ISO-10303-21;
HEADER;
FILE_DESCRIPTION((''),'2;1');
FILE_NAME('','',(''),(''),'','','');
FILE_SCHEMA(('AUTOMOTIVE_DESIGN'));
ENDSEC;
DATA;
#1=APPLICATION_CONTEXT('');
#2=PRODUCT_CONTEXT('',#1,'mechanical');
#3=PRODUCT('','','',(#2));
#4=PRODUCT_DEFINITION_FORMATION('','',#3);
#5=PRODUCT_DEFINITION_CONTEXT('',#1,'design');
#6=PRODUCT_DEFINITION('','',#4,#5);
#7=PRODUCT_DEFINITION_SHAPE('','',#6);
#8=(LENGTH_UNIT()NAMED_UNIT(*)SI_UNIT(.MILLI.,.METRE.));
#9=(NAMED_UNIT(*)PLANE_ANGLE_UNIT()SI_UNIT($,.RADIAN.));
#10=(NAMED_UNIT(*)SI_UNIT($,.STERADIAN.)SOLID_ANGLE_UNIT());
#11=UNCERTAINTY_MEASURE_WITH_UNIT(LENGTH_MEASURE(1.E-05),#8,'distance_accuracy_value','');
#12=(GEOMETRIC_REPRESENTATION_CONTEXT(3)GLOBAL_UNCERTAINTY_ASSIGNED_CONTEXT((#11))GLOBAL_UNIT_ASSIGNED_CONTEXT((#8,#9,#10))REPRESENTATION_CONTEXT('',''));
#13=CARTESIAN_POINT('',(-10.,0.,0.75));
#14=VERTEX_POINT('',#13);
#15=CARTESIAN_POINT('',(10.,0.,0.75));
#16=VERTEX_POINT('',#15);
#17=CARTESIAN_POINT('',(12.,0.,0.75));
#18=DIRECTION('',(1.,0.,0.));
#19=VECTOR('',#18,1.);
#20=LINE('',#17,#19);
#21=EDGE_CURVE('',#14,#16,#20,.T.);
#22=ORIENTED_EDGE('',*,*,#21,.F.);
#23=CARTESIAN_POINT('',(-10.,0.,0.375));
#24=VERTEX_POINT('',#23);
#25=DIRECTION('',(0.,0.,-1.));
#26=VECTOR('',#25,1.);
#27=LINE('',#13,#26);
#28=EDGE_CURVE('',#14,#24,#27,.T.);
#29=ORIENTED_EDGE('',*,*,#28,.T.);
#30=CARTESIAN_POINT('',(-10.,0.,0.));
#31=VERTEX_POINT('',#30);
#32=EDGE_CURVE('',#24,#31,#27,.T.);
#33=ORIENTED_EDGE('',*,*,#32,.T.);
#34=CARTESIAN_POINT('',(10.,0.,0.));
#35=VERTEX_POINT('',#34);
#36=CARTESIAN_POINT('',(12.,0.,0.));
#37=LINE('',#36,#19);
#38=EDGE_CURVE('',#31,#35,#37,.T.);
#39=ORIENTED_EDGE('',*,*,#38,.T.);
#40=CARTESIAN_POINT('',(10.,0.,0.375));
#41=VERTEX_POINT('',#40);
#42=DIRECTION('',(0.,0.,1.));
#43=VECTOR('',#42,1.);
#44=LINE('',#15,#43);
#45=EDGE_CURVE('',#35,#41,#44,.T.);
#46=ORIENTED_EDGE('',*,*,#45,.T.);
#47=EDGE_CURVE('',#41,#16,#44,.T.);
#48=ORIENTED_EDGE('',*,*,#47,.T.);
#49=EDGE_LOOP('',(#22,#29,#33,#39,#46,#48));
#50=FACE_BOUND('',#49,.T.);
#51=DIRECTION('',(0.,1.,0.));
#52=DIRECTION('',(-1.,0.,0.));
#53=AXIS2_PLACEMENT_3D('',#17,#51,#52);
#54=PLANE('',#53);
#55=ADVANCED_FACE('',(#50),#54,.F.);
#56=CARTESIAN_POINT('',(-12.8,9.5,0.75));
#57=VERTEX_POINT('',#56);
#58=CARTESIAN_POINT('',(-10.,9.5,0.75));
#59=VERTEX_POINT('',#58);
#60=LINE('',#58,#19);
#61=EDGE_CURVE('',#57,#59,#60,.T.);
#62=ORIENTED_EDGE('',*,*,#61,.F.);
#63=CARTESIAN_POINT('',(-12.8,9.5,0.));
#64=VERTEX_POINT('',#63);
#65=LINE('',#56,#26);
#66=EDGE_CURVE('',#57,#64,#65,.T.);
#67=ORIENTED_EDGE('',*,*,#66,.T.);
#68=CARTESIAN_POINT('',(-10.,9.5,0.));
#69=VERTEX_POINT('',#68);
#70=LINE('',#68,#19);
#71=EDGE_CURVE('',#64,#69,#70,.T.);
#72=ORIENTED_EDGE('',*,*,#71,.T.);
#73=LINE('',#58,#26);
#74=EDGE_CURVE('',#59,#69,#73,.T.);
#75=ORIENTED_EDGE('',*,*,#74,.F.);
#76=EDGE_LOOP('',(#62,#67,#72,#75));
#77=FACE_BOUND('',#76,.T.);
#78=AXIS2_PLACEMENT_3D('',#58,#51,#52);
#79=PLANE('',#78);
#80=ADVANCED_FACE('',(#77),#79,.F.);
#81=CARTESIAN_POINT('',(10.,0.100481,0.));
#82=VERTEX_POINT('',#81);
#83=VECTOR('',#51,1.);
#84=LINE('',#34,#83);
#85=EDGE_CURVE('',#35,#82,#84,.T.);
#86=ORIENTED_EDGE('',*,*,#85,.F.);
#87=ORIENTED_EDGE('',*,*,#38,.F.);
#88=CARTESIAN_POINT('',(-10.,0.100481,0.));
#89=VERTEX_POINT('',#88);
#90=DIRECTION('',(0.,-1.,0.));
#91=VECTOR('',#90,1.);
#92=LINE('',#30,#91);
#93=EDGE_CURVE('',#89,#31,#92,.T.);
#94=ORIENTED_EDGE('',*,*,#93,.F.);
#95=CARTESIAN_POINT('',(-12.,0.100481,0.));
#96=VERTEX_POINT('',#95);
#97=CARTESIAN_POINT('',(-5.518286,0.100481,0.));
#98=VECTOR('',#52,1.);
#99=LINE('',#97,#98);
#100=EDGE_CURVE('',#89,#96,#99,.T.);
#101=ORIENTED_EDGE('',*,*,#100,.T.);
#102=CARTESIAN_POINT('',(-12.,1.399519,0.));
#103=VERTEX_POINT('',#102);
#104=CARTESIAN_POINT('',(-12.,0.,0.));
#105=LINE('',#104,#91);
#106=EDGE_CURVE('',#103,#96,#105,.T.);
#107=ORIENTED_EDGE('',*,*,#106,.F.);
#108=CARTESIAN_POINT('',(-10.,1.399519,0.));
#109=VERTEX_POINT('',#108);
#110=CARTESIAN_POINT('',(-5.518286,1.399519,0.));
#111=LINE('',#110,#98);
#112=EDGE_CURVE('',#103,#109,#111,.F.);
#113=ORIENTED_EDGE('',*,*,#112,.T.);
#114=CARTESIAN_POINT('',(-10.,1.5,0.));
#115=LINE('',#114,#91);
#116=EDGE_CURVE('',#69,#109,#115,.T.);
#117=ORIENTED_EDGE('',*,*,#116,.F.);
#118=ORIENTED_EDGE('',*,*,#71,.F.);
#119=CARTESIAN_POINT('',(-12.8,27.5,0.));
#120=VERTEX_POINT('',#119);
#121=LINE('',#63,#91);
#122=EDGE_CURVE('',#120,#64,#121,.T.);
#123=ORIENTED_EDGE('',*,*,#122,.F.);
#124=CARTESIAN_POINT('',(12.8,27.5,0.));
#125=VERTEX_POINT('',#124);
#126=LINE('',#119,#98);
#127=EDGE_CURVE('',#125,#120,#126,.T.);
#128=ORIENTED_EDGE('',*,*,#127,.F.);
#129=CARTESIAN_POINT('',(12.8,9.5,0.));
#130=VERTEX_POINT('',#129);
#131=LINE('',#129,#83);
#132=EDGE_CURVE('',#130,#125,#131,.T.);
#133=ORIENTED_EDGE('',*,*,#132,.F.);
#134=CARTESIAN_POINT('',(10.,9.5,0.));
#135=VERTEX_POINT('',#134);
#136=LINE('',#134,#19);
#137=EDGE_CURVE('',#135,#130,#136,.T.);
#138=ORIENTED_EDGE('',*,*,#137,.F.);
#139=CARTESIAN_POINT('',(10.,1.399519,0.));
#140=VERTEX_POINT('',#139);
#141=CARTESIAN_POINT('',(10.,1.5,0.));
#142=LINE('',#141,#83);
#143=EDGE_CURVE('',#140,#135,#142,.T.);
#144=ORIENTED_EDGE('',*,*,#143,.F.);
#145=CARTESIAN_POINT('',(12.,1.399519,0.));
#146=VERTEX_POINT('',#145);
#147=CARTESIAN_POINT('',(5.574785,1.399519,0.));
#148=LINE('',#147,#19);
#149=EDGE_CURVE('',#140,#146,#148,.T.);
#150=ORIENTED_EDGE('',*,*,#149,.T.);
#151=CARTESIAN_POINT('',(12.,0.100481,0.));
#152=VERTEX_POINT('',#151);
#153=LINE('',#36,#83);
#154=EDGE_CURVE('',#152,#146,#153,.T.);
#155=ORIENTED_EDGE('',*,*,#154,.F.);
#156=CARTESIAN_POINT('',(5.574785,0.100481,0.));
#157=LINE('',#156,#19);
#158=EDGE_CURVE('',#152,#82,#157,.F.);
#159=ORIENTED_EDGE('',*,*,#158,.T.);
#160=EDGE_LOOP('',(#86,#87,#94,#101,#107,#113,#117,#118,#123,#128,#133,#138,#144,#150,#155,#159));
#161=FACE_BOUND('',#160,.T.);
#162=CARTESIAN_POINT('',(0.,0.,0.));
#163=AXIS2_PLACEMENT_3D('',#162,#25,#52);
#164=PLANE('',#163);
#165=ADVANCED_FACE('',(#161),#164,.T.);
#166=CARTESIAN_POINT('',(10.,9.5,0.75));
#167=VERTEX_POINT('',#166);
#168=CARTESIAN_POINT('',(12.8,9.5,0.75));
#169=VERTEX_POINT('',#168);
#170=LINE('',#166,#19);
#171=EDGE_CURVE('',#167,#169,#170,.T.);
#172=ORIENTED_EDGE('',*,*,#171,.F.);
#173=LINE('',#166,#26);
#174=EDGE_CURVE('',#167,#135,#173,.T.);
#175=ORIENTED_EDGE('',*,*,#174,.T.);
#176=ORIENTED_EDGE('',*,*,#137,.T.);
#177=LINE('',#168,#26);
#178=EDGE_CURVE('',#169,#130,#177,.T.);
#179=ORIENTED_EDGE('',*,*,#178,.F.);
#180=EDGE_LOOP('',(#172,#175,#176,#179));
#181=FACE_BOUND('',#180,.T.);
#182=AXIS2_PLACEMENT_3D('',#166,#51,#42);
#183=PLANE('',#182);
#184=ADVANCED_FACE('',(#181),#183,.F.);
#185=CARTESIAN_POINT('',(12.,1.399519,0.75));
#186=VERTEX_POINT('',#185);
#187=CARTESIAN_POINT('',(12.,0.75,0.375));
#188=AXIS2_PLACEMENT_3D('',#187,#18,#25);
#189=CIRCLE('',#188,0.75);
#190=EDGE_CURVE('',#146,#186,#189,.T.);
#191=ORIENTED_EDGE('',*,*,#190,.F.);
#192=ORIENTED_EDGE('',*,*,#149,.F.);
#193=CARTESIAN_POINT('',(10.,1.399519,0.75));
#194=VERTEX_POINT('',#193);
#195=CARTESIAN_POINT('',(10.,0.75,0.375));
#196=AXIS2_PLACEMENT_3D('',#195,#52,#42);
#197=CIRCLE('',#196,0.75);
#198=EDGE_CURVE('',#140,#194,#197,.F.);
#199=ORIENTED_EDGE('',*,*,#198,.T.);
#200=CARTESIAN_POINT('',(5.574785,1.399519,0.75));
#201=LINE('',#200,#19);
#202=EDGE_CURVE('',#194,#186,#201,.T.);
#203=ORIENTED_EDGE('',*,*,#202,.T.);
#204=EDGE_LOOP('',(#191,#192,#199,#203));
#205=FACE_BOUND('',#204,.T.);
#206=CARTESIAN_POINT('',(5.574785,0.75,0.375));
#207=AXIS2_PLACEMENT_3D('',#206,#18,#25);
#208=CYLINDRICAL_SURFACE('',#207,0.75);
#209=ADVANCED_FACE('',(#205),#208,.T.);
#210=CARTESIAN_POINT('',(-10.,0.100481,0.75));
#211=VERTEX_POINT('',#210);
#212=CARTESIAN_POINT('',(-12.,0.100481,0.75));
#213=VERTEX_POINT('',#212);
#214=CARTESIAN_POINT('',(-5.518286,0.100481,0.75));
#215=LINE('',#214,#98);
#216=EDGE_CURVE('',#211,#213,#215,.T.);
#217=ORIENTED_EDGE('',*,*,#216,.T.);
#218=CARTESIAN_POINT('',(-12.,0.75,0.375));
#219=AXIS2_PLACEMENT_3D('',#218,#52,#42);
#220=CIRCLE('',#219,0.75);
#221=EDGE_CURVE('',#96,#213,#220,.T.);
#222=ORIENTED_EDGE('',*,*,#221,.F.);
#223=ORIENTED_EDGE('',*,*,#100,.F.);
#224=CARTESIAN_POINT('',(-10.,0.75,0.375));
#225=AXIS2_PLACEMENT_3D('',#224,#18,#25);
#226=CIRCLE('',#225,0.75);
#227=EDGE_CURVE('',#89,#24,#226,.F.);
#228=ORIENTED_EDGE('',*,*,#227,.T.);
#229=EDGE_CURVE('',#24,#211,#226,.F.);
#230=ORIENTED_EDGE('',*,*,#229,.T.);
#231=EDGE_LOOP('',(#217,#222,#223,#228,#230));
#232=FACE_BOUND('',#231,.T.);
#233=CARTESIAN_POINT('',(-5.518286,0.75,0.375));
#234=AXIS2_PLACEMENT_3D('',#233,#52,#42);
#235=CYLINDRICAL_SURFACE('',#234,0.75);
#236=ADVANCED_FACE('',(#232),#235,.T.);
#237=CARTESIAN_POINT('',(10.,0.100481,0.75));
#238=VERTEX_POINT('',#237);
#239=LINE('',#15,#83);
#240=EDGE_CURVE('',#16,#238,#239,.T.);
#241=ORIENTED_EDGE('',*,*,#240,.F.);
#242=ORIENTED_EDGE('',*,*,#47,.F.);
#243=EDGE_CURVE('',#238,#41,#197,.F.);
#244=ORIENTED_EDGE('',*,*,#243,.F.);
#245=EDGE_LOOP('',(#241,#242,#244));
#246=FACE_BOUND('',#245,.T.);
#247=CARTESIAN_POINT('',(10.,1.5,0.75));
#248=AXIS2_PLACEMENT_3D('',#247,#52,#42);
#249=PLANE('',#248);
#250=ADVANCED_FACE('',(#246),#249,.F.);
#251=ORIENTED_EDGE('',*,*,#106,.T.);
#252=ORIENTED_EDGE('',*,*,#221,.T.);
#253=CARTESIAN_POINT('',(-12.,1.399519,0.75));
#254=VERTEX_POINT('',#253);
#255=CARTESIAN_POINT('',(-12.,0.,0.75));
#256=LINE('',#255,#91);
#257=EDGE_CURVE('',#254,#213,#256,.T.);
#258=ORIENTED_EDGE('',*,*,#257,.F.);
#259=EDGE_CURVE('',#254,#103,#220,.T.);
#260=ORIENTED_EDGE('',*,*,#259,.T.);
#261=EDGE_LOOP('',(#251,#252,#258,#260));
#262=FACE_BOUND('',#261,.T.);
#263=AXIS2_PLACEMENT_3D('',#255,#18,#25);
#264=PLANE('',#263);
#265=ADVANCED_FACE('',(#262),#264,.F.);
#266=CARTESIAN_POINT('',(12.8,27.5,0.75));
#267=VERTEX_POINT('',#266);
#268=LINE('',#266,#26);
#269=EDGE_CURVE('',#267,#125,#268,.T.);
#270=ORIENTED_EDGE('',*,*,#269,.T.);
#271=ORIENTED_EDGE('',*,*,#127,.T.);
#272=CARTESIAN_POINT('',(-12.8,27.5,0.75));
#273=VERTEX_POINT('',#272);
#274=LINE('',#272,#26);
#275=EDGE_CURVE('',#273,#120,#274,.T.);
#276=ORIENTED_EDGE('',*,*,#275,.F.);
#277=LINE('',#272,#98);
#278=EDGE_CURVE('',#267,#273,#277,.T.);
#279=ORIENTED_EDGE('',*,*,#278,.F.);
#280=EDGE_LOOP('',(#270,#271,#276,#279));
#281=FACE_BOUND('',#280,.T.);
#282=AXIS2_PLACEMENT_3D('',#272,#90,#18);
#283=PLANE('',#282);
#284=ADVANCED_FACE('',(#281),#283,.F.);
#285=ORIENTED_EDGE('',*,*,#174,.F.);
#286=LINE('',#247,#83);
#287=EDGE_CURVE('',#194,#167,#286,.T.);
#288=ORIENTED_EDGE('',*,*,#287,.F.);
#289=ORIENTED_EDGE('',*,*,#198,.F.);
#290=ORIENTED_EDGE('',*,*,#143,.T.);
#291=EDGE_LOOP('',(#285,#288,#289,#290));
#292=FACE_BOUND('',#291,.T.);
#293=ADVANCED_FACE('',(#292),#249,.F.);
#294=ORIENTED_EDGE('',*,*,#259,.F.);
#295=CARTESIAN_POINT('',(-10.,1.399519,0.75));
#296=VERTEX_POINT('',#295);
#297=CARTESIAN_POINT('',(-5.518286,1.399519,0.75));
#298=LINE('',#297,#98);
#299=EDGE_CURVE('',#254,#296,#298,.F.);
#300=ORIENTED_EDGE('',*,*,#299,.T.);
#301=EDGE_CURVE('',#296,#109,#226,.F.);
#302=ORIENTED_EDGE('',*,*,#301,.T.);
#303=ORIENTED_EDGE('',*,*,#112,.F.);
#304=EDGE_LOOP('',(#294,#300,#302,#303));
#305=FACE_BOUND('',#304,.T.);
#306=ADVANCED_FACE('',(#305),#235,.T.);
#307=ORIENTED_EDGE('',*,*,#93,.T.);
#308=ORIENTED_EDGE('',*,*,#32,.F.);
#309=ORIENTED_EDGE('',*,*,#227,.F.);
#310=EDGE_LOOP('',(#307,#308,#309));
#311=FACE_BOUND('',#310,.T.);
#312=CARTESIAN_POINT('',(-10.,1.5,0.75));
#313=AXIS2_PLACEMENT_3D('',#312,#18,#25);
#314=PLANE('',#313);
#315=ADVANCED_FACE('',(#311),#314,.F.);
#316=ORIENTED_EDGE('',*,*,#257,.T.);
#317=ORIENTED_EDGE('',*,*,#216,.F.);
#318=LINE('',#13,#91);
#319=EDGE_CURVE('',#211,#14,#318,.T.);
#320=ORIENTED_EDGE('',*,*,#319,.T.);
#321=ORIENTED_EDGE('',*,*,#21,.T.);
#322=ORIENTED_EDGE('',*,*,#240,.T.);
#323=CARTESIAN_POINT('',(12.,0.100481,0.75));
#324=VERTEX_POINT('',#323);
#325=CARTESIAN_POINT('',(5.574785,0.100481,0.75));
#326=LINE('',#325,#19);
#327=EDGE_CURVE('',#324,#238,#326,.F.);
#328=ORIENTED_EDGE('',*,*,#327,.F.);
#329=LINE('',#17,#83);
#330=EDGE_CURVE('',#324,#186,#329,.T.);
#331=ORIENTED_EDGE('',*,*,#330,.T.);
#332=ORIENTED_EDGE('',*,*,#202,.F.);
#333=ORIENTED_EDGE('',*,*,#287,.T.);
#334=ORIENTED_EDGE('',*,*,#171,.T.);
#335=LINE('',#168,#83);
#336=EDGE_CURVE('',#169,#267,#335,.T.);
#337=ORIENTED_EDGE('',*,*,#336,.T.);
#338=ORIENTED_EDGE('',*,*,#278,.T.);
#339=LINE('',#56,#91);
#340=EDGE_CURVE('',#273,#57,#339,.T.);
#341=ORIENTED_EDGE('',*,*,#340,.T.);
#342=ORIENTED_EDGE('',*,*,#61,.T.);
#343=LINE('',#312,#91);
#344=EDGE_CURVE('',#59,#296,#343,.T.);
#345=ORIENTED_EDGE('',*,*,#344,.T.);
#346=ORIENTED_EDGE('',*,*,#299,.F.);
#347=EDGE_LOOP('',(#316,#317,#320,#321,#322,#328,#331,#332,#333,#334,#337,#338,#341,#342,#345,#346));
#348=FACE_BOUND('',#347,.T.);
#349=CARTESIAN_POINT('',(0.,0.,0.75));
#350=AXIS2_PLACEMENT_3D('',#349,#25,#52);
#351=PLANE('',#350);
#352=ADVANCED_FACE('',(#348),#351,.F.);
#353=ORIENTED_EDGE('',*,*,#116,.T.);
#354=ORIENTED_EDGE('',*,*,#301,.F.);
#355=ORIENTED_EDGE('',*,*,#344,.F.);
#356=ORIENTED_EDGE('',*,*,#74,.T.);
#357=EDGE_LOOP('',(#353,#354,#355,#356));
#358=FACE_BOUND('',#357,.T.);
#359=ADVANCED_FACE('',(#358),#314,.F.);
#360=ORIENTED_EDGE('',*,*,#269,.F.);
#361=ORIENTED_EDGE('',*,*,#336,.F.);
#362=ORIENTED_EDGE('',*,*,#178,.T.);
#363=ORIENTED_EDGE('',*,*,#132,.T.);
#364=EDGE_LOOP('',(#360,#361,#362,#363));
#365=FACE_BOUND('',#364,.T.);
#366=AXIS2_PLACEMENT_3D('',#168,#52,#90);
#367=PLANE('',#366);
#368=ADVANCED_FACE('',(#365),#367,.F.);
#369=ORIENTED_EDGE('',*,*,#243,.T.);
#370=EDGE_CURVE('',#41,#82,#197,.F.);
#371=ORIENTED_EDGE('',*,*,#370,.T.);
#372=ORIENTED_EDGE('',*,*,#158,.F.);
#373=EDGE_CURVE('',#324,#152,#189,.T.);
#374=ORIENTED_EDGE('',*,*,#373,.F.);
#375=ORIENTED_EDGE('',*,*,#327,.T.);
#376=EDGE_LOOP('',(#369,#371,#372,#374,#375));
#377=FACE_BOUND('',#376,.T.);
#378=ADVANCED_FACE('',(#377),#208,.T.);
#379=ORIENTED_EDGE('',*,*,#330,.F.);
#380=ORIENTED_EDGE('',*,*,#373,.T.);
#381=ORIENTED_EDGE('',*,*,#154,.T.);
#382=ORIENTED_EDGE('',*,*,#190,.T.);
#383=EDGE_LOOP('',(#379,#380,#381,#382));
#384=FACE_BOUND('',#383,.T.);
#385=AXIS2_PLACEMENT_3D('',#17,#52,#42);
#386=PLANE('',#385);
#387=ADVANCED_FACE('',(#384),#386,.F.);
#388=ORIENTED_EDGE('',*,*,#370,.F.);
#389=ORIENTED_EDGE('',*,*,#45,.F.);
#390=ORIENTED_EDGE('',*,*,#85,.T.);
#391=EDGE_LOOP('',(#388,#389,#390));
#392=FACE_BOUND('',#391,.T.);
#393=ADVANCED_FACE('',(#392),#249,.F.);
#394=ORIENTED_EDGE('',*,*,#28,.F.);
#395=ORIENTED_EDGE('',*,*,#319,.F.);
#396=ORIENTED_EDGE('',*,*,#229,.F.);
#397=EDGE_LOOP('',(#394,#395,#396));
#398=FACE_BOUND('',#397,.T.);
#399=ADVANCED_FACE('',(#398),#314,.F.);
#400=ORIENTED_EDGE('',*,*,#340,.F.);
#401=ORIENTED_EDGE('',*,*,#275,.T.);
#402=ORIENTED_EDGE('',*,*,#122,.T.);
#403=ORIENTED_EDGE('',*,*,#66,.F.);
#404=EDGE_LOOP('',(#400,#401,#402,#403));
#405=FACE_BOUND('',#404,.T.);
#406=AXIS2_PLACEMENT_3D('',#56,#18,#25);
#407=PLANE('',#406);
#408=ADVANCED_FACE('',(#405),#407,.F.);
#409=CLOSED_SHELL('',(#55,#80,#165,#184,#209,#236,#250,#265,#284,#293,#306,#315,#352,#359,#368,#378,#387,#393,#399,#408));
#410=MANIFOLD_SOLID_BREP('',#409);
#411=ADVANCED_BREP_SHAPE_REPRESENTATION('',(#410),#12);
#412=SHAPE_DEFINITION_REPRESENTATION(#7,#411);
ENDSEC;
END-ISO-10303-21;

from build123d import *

# Parameters (mm, degrees)
BOSS_EXTRUDE1_DEPTH = 0.75
SKETCH2_R           = 1.584525309
SKETCH2_R_2         = 0.75
CUT_EXTRUDE1_DEPTH  = 2
CUT_EXTRUDE2_START  = -2
SKETCH3_R           = 1.564549905
SKETCH3_R_2         = 0.75
CUT_EXTRUDE2_DEPTH  = 2


with BuildPart() as part:
    # Sketch1 → Boss-Extrude1 (new body)
    with BuildSketch(Plane.XY):
        Polygon((12, 0), (-12, 0), (-12, 1.5), (-10, 1.5), (-10, 9.5), (-12.8, 9.5), (-12.8, 27.5), (12.8, 27.5), (12.8, 9.5), (10, 9.5), (10, 1.5), (12, 1.5), align=None)
    extrude(amount=BOSS_EXTRUDE1_DEPTH)

    # Sketch2 → Cut-Extrude1 (cut)
    with BuildSketch(Plane.ZY.offset(12)):
        with Locations((0.375, 0.75)):
            Circle(SKETCH2_R)
        with Locations((0.375, 0.75)):
            Circle(SKETCH2_R_2, mode=Mode.SUBTRACT)
    extrude(amount=-CUT_EXTRUDE1_DEPTH, mode=Mode.SUBTRACT)

    # Sketch3 → Cut-Extrude2 (cut)
    with BuildSketch(Plane(origin=(12, 0, 0), x_dir=(0, 0, -1), z_dir=(1, 0, 0)).offset(CUT_EXTRUDE2_START)):
        with Locations((-0.375, 0.75)):
            Circle(SKETCH3_R)
        with Locations((-0.375, 0.75)):
            Circle(SKETCH3_R_2, mode=Mode.SUBTRACT)
    extrude(amount=CUT_EXTRUDE2_DEPTH, mode=Mode.SUBTRACT)


solid = part.part
